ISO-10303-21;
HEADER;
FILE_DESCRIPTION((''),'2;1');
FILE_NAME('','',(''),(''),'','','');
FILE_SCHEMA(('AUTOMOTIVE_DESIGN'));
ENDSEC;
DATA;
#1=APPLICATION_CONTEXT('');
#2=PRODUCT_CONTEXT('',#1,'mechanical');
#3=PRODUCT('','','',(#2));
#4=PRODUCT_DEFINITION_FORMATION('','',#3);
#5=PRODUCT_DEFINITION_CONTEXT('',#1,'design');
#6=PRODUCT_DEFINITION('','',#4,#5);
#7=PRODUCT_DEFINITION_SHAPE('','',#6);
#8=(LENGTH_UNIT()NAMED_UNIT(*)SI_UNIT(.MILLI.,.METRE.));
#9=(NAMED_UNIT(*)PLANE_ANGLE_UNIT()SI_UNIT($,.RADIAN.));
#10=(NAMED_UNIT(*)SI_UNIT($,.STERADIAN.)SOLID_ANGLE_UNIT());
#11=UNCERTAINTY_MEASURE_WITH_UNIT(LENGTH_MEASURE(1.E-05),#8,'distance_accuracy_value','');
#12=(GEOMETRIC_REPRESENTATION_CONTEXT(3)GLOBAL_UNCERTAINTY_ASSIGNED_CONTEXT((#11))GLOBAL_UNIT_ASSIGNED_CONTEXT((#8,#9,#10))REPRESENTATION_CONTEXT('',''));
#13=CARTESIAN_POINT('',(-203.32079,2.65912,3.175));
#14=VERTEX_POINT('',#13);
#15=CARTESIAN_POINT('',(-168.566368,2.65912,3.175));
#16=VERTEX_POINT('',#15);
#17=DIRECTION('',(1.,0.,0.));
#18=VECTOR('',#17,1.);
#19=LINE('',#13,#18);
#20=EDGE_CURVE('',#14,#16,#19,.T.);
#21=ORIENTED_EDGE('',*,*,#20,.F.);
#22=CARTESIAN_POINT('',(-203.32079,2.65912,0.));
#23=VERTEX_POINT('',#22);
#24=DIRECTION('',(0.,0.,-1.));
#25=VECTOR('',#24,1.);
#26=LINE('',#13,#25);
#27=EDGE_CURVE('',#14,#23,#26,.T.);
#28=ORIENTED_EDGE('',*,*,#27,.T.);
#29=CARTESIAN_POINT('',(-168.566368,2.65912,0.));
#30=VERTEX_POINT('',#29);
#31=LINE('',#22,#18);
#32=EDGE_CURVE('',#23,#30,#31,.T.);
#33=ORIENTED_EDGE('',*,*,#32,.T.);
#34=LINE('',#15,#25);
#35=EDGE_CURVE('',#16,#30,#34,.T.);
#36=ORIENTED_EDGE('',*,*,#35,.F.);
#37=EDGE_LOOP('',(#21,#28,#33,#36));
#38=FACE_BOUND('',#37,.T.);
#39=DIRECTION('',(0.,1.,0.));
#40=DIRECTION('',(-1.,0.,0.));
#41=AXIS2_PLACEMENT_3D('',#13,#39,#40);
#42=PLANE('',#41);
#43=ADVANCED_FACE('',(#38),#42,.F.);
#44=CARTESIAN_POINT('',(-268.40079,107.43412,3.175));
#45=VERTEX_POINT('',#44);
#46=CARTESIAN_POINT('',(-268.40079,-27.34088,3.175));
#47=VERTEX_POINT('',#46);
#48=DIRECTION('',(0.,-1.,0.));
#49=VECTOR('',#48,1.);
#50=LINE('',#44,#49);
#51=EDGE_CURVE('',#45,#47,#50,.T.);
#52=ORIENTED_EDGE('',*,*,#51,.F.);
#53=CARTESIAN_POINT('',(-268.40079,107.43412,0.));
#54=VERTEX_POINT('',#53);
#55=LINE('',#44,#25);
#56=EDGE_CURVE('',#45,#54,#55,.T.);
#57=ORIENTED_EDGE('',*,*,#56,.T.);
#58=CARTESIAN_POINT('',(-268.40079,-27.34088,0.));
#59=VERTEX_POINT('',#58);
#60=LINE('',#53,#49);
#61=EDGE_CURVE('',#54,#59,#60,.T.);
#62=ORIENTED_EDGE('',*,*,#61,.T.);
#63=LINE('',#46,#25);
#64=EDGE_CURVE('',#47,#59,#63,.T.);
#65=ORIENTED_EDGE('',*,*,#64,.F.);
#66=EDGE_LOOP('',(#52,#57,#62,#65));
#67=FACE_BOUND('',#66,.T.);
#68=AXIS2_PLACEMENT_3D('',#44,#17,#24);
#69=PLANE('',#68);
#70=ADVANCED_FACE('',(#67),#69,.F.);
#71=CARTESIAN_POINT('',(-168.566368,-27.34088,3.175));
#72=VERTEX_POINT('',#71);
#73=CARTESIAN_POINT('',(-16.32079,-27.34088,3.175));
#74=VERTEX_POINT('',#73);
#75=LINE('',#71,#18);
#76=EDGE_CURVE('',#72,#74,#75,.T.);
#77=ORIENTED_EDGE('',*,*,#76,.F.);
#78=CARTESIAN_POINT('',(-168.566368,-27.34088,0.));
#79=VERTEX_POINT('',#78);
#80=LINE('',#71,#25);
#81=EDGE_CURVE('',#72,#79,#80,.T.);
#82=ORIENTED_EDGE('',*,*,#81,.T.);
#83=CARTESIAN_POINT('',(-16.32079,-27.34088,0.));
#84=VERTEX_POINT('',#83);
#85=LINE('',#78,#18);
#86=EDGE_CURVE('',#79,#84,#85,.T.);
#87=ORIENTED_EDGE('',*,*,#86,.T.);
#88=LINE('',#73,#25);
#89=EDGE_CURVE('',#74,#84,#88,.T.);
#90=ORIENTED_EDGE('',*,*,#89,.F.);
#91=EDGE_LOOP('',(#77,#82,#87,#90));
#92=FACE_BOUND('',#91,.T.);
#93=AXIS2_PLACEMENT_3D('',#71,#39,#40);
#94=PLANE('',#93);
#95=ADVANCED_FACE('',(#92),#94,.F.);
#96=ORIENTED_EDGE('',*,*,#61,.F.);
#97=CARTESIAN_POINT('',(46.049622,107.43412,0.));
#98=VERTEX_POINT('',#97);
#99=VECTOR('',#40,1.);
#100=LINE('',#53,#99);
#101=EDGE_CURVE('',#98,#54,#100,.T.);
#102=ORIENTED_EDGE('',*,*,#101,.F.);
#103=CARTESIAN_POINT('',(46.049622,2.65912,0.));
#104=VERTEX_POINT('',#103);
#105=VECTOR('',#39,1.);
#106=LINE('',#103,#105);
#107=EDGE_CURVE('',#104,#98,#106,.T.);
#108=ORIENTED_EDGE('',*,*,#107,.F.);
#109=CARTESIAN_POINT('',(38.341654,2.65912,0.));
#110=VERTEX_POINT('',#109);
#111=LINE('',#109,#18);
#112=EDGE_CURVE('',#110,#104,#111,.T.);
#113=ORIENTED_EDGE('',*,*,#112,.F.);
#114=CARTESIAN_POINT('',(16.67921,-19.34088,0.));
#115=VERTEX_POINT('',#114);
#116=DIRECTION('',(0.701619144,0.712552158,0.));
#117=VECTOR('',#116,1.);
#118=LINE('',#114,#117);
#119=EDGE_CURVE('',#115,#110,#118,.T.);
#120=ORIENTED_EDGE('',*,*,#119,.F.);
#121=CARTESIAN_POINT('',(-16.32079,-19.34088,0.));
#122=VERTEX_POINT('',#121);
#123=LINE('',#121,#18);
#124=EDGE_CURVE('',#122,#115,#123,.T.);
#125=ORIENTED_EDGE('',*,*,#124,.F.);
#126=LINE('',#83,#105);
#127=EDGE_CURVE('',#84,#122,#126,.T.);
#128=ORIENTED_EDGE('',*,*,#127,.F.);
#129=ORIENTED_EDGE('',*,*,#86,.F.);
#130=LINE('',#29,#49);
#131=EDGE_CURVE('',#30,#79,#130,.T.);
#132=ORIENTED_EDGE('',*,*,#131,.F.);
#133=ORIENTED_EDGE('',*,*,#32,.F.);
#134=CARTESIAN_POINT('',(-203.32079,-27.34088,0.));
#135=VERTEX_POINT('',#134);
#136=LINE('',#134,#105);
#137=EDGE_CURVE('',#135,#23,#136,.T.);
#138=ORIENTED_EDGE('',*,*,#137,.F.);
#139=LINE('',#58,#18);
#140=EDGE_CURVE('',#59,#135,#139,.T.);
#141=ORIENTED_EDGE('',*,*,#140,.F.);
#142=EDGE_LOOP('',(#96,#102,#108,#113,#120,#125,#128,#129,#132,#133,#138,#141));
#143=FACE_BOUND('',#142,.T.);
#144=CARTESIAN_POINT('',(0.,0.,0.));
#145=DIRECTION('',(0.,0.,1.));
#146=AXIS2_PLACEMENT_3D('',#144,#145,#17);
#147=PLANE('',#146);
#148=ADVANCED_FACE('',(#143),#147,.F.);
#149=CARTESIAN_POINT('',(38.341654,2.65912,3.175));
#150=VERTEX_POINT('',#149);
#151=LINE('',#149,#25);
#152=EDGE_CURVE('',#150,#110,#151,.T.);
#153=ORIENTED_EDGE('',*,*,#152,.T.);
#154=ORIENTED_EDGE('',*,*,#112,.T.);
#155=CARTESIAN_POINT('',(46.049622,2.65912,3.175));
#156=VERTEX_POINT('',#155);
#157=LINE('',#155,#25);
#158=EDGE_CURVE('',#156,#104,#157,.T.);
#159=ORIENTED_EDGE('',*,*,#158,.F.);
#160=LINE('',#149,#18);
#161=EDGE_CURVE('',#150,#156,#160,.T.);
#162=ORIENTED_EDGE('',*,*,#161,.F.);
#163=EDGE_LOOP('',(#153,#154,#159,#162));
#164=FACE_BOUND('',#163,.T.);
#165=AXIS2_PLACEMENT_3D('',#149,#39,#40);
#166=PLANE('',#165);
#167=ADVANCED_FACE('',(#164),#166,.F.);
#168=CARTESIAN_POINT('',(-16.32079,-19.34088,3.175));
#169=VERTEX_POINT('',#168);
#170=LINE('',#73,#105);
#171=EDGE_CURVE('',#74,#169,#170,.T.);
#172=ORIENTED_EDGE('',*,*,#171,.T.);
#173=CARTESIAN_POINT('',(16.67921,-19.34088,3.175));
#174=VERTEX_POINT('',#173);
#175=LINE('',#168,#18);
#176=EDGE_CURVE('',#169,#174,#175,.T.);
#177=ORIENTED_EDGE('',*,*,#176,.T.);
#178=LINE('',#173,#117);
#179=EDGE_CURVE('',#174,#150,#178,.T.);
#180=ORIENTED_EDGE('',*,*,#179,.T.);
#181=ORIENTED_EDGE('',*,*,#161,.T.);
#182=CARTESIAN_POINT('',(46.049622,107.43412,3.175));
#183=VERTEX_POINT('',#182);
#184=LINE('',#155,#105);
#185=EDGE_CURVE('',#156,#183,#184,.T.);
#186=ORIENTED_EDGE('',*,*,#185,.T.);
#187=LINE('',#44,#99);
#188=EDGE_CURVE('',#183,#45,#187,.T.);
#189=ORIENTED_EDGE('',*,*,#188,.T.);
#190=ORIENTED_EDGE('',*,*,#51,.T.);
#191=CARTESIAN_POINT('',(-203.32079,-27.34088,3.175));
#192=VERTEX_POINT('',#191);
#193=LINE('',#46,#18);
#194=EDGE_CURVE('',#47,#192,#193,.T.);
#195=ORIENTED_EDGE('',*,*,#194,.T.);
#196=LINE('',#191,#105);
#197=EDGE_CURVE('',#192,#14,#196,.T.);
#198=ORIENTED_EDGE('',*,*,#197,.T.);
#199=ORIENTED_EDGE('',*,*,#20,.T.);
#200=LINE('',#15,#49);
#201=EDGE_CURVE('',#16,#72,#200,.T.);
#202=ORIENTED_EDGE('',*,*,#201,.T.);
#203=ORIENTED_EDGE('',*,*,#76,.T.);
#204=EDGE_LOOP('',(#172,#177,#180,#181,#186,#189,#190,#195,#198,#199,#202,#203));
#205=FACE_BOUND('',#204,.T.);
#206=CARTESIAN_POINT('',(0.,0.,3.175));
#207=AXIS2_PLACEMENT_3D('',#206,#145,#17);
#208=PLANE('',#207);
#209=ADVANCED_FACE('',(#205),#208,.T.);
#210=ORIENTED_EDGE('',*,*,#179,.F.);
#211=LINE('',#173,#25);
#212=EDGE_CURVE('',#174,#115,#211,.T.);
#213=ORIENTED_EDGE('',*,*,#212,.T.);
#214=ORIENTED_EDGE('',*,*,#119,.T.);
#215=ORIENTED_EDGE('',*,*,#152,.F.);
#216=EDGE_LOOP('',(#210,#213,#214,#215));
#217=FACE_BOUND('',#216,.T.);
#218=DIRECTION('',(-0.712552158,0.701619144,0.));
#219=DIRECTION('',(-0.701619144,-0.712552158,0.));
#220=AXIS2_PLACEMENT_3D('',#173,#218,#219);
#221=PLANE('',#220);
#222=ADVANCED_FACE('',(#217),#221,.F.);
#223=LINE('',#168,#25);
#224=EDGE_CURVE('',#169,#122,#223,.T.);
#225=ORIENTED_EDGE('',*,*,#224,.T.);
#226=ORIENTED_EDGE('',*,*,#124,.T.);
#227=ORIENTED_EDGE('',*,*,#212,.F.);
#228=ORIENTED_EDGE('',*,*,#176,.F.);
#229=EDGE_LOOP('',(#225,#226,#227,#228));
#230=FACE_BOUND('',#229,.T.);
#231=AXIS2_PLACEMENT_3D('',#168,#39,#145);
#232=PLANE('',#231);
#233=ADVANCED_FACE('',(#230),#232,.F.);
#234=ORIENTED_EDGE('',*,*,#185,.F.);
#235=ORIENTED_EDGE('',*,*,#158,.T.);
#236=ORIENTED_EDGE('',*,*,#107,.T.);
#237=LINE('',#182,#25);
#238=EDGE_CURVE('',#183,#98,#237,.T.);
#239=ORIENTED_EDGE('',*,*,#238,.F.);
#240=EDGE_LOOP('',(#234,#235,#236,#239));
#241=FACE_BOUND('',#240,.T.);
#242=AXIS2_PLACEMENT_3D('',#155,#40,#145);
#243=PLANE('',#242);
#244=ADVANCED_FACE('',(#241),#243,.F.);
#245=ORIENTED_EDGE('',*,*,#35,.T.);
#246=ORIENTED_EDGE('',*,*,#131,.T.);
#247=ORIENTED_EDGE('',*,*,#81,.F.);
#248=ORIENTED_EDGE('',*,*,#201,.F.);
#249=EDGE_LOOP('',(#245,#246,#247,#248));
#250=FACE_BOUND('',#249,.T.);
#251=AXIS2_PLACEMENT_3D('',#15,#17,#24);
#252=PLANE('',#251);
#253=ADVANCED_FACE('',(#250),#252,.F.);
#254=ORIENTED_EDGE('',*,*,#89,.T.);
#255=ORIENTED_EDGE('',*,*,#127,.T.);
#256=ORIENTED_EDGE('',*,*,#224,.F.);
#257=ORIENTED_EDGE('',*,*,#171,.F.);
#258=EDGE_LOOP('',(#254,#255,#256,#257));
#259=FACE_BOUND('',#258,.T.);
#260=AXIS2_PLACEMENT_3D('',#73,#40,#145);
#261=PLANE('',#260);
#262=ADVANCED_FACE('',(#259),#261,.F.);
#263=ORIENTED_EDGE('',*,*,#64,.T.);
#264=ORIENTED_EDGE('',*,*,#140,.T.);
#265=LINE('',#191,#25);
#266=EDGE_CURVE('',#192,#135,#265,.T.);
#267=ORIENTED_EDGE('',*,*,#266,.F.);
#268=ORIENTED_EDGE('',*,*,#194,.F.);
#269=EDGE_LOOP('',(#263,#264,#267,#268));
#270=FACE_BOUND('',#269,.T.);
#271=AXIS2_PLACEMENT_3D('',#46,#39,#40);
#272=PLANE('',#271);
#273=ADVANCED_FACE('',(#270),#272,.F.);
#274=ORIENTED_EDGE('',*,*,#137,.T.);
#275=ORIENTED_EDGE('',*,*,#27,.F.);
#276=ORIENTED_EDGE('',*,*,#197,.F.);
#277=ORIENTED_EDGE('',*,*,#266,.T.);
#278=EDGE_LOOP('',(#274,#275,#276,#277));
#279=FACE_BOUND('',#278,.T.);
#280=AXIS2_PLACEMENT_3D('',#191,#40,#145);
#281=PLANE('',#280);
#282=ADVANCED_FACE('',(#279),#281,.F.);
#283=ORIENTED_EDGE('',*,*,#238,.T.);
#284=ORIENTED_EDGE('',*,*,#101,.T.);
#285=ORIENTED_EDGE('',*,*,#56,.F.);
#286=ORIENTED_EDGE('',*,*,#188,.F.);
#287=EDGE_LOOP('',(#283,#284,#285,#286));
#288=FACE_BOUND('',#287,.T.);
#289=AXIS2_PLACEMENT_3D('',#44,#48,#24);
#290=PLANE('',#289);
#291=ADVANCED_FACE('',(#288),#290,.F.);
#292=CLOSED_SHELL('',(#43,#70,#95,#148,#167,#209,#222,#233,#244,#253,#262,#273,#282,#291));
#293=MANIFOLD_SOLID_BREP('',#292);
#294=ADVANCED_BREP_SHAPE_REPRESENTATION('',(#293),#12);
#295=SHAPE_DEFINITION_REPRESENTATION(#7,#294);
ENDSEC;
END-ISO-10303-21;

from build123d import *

# Parameters (mm, degrees)
BOSS_EXTRUDE1_DEPTH = 3.175


with BuildPart() as part:
    # Sketch1 → Boss-Extrude1 (new body)
    with BuildSketch(Plane.XY):
        Polygon((-268.400790405, 107.434120248), (46.049622496, 107.434120248), (46.049622496, 2.659120248), (38.341653517, 2.659120248), (16.679209595, -19.340879752), (-16.320790405, -19.340879752), (-16.320790405, -27.340879752), (-168.566368426, -27.340879752), (-168.566368426, 2.659120248), (-203.320790346, 2.659120248), (-203.320790346, -27.340879752), (-268.400790405, -27.340879752), align=None)
    extrude(amount=BOSS_EXTRUDE1_DEPTH)


solid = part.part
